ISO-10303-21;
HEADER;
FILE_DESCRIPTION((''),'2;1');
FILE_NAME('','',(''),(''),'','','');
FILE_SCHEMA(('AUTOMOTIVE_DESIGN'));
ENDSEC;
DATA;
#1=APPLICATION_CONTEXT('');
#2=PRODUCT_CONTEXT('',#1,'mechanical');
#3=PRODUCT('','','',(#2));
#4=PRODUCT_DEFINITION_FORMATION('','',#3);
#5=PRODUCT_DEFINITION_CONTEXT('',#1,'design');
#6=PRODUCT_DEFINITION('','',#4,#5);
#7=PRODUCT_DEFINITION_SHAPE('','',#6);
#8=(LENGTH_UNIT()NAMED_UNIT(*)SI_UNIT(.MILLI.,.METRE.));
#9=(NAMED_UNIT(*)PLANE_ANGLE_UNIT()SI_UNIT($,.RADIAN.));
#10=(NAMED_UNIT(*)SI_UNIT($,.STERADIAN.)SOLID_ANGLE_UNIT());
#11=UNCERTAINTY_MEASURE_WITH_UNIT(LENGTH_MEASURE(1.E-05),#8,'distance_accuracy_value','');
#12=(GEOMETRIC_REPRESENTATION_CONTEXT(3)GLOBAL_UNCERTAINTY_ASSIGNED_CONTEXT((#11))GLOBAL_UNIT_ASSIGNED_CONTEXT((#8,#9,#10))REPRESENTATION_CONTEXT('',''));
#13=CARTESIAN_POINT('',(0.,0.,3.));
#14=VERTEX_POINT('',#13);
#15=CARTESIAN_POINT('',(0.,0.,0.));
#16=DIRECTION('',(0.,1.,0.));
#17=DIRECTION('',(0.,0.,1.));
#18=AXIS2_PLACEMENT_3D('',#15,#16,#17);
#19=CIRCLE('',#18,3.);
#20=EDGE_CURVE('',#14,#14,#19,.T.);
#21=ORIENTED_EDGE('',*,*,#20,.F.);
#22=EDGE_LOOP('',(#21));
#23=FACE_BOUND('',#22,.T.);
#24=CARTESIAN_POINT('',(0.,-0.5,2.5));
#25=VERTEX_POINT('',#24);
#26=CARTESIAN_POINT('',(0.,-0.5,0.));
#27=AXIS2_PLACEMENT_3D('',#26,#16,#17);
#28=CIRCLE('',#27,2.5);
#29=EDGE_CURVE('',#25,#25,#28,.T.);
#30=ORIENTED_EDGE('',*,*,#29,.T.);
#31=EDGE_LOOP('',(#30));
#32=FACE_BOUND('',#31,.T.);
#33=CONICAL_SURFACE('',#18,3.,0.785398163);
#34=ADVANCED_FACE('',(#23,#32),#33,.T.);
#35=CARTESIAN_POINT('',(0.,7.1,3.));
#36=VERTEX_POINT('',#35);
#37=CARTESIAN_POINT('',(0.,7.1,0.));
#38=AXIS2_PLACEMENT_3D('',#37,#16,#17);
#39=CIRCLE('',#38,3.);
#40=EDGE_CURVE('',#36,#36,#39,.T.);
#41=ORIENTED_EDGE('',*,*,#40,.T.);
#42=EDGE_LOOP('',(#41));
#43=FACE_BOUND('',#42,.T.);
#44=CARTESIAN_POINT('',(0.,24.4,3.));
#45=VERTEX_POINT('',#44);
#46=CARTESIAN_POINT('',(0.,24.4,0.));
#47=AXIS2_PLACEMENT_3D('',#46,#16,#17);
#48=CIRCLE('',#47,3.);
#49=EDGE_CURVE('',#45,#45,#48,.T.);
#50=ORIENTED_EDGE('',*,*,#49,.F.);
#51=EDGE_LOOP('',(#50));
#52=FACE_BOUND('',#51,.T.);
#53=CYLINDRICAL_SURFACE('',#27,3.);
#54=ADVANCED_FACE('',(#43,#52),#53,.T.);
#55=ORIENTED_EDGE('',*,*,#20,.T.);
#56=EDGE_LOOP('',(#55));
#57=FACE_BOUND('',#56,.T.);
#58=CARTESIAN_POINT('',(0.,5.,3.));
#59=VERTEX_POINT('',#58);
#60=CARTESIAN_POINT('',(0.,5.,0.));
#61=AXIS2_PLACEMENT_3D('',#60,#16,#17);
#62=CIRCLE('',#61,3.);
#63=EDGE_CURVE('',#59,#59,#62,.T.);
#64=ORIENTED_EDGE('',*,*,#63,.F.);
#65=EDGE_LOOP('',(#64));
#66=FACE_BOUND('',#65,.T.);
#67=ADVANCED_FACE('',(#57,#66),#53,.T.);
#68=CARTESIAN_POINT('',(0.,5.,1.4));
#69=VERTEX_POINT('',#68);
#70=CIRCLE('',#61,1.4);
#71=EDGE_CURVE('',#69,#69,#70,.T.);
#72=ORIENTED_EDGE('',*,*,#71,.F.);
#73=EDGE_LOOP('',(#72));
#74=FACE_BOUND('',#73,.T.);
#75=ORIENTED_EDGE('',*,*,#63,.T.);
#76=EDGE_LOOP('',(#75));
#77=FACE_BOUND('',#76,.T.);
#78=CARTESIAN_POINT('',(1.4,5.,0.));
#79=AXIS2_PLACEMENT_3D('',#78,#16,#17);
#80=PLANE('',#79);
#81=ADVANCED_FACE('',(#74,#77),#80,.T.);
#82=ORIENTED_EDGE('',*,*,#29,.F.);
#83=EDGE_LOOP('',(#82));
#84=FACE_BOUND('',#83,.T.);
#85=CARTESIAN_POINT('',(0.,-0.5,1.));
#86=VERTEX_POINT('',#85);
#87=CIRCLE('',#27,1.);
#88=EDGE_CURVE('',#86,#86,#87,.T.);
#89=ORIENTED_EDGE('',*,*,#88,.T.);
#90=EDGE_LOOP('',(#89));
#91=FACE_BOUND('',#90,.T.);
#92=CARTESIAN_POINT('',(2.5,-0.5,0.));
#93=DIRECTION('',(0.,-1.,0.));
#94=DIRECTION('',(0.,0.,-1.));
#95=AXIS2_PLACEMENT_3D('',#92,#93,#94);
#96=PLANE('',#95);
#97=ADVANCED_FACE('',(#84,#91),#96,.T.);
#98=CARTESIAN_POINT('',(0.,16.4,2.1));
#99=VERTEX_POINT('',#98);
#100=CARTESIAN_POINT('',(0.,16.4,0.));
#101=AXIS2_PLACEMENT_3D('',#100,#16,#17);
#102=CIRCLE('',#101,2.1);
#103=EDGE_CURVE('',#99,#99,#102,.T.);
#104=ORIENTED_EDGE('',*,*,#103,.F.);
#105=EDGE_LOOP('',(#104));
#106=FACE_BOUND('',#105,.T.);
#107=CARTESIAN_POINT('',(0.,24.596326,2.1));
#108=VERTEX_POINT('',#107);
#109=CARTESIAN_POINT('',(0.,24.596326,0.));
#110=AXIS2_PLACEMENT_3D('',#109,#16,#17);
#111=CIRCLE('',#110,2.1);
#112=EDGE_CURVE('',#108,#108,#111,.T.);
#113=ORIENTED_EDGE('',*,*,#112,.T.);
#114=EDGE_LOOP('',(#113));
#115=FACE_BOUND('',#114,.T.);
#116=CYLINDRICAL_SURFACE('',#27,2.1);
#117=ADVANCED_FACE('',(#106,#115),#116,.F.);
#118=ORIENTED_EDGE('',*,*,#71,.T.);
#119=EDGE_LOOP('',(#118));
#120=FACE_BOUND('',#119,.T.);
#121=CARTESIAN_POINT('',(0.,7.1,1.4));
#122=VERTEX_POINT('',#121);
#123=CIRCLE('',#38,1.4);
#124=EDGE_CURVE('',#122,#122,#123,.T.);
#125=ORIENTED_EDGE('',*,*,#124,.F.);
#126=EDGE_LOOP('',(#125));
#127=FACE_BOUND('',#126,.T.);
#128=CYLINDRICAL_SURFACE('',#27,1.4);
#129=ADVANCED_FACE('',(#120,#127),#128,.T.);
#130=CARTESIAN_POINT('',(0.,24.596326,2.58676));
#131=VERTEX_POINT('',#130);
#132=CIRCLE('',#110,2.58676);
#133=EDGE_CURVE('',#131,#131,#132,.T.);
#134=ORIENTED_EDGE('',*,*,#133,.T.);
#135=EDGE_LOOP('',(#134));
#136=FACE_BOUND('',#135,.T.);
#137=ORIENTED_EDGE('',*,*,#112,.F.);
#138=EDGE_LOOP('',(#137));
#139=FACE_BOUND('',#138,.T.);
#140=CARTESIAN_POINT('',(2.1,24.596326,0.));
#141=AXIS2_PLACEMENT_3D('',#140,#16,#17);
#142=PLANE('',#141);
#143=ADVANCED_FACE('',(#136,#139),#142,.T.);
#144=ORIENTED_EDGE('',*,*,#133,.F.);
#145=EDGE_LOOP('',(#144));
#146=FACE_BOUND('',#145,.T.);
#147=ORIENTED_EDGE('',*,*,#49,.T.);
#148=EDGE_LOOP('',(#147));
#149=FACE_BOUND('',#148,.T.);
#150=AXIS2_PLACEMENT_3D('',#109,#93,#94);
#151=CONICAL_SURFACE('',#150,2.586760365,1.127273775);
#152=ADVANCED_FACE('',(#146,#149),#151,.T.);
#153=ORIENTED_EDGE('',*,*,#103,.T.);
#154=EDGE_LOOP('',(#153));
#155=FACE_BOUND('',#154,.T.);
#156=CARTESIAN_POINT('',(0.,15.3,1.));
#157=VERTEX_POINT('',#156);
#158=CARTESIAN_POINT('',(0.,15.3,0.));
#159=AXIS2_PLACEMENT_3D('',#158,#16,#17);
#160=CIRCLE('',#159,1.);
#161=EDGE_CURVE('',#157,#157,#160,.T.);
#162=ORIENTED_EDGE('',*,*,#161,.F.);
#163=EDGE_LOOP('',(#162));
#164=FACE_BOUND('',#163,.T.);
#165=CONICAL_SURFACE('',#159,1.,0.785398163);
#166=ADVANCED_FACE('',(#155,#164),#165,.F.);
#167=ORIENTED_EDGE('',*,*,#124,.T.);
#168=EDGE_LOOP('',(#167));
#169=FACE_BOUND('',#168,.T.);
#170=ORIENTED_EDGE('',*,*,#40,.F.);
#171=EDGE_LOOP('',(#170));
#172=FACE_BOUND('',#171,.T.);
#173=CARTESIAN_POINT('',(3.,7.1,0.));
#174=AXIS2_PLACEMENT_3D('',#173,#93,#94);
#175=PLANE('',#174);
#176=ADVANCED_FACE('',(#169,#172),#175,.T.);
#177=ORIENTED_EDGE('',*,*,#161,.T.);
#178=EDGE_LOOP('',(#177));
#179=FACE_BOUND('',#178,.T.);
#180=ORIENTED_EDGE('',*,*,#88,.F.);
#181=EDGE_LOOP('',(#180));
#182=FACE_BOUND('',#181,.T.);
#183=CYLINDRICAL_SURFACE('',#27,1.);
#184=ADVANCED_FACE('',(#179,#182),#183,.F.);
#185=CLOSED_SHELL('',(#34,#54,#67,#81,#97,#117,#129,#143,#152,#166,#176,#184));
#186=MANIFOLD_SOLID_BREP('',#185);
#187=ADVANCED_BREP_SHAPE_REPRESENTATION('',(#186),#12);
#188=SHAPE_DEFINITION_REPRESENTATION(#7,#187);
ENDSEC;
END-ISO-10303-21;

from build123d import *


with BuildPart() as part:
    # Sketch1 → Revolve1 (revolve)
    with BuildSketch(Plane(origin=(0, 0, 0), x_dir=(-1, 0, 0), z_dir=(0, 0, -1)), mode=Mode.PRIVATE) as revolve1_sk:
        Polygon((-2.5, -0.5), (-1, -0.5), (-1, 15.3), (-2.1, 16.4), (-2.1, 24.596326416), (-2.586760365, 24.596326416), (-3, 24.4), (-3, 16.9), (-3, 7.1), (-1.4, 7.1), (-1.4, 5), (-3, 5), (-3, 0), align=None)
    revolve(revolve1_sk.sketch.rotate(Axis((0, -0.5, 0), (0, 1, 0)), 270), axis=Axis((0, -0.5, 0), (0, 1, 0)))


solid = part.part
